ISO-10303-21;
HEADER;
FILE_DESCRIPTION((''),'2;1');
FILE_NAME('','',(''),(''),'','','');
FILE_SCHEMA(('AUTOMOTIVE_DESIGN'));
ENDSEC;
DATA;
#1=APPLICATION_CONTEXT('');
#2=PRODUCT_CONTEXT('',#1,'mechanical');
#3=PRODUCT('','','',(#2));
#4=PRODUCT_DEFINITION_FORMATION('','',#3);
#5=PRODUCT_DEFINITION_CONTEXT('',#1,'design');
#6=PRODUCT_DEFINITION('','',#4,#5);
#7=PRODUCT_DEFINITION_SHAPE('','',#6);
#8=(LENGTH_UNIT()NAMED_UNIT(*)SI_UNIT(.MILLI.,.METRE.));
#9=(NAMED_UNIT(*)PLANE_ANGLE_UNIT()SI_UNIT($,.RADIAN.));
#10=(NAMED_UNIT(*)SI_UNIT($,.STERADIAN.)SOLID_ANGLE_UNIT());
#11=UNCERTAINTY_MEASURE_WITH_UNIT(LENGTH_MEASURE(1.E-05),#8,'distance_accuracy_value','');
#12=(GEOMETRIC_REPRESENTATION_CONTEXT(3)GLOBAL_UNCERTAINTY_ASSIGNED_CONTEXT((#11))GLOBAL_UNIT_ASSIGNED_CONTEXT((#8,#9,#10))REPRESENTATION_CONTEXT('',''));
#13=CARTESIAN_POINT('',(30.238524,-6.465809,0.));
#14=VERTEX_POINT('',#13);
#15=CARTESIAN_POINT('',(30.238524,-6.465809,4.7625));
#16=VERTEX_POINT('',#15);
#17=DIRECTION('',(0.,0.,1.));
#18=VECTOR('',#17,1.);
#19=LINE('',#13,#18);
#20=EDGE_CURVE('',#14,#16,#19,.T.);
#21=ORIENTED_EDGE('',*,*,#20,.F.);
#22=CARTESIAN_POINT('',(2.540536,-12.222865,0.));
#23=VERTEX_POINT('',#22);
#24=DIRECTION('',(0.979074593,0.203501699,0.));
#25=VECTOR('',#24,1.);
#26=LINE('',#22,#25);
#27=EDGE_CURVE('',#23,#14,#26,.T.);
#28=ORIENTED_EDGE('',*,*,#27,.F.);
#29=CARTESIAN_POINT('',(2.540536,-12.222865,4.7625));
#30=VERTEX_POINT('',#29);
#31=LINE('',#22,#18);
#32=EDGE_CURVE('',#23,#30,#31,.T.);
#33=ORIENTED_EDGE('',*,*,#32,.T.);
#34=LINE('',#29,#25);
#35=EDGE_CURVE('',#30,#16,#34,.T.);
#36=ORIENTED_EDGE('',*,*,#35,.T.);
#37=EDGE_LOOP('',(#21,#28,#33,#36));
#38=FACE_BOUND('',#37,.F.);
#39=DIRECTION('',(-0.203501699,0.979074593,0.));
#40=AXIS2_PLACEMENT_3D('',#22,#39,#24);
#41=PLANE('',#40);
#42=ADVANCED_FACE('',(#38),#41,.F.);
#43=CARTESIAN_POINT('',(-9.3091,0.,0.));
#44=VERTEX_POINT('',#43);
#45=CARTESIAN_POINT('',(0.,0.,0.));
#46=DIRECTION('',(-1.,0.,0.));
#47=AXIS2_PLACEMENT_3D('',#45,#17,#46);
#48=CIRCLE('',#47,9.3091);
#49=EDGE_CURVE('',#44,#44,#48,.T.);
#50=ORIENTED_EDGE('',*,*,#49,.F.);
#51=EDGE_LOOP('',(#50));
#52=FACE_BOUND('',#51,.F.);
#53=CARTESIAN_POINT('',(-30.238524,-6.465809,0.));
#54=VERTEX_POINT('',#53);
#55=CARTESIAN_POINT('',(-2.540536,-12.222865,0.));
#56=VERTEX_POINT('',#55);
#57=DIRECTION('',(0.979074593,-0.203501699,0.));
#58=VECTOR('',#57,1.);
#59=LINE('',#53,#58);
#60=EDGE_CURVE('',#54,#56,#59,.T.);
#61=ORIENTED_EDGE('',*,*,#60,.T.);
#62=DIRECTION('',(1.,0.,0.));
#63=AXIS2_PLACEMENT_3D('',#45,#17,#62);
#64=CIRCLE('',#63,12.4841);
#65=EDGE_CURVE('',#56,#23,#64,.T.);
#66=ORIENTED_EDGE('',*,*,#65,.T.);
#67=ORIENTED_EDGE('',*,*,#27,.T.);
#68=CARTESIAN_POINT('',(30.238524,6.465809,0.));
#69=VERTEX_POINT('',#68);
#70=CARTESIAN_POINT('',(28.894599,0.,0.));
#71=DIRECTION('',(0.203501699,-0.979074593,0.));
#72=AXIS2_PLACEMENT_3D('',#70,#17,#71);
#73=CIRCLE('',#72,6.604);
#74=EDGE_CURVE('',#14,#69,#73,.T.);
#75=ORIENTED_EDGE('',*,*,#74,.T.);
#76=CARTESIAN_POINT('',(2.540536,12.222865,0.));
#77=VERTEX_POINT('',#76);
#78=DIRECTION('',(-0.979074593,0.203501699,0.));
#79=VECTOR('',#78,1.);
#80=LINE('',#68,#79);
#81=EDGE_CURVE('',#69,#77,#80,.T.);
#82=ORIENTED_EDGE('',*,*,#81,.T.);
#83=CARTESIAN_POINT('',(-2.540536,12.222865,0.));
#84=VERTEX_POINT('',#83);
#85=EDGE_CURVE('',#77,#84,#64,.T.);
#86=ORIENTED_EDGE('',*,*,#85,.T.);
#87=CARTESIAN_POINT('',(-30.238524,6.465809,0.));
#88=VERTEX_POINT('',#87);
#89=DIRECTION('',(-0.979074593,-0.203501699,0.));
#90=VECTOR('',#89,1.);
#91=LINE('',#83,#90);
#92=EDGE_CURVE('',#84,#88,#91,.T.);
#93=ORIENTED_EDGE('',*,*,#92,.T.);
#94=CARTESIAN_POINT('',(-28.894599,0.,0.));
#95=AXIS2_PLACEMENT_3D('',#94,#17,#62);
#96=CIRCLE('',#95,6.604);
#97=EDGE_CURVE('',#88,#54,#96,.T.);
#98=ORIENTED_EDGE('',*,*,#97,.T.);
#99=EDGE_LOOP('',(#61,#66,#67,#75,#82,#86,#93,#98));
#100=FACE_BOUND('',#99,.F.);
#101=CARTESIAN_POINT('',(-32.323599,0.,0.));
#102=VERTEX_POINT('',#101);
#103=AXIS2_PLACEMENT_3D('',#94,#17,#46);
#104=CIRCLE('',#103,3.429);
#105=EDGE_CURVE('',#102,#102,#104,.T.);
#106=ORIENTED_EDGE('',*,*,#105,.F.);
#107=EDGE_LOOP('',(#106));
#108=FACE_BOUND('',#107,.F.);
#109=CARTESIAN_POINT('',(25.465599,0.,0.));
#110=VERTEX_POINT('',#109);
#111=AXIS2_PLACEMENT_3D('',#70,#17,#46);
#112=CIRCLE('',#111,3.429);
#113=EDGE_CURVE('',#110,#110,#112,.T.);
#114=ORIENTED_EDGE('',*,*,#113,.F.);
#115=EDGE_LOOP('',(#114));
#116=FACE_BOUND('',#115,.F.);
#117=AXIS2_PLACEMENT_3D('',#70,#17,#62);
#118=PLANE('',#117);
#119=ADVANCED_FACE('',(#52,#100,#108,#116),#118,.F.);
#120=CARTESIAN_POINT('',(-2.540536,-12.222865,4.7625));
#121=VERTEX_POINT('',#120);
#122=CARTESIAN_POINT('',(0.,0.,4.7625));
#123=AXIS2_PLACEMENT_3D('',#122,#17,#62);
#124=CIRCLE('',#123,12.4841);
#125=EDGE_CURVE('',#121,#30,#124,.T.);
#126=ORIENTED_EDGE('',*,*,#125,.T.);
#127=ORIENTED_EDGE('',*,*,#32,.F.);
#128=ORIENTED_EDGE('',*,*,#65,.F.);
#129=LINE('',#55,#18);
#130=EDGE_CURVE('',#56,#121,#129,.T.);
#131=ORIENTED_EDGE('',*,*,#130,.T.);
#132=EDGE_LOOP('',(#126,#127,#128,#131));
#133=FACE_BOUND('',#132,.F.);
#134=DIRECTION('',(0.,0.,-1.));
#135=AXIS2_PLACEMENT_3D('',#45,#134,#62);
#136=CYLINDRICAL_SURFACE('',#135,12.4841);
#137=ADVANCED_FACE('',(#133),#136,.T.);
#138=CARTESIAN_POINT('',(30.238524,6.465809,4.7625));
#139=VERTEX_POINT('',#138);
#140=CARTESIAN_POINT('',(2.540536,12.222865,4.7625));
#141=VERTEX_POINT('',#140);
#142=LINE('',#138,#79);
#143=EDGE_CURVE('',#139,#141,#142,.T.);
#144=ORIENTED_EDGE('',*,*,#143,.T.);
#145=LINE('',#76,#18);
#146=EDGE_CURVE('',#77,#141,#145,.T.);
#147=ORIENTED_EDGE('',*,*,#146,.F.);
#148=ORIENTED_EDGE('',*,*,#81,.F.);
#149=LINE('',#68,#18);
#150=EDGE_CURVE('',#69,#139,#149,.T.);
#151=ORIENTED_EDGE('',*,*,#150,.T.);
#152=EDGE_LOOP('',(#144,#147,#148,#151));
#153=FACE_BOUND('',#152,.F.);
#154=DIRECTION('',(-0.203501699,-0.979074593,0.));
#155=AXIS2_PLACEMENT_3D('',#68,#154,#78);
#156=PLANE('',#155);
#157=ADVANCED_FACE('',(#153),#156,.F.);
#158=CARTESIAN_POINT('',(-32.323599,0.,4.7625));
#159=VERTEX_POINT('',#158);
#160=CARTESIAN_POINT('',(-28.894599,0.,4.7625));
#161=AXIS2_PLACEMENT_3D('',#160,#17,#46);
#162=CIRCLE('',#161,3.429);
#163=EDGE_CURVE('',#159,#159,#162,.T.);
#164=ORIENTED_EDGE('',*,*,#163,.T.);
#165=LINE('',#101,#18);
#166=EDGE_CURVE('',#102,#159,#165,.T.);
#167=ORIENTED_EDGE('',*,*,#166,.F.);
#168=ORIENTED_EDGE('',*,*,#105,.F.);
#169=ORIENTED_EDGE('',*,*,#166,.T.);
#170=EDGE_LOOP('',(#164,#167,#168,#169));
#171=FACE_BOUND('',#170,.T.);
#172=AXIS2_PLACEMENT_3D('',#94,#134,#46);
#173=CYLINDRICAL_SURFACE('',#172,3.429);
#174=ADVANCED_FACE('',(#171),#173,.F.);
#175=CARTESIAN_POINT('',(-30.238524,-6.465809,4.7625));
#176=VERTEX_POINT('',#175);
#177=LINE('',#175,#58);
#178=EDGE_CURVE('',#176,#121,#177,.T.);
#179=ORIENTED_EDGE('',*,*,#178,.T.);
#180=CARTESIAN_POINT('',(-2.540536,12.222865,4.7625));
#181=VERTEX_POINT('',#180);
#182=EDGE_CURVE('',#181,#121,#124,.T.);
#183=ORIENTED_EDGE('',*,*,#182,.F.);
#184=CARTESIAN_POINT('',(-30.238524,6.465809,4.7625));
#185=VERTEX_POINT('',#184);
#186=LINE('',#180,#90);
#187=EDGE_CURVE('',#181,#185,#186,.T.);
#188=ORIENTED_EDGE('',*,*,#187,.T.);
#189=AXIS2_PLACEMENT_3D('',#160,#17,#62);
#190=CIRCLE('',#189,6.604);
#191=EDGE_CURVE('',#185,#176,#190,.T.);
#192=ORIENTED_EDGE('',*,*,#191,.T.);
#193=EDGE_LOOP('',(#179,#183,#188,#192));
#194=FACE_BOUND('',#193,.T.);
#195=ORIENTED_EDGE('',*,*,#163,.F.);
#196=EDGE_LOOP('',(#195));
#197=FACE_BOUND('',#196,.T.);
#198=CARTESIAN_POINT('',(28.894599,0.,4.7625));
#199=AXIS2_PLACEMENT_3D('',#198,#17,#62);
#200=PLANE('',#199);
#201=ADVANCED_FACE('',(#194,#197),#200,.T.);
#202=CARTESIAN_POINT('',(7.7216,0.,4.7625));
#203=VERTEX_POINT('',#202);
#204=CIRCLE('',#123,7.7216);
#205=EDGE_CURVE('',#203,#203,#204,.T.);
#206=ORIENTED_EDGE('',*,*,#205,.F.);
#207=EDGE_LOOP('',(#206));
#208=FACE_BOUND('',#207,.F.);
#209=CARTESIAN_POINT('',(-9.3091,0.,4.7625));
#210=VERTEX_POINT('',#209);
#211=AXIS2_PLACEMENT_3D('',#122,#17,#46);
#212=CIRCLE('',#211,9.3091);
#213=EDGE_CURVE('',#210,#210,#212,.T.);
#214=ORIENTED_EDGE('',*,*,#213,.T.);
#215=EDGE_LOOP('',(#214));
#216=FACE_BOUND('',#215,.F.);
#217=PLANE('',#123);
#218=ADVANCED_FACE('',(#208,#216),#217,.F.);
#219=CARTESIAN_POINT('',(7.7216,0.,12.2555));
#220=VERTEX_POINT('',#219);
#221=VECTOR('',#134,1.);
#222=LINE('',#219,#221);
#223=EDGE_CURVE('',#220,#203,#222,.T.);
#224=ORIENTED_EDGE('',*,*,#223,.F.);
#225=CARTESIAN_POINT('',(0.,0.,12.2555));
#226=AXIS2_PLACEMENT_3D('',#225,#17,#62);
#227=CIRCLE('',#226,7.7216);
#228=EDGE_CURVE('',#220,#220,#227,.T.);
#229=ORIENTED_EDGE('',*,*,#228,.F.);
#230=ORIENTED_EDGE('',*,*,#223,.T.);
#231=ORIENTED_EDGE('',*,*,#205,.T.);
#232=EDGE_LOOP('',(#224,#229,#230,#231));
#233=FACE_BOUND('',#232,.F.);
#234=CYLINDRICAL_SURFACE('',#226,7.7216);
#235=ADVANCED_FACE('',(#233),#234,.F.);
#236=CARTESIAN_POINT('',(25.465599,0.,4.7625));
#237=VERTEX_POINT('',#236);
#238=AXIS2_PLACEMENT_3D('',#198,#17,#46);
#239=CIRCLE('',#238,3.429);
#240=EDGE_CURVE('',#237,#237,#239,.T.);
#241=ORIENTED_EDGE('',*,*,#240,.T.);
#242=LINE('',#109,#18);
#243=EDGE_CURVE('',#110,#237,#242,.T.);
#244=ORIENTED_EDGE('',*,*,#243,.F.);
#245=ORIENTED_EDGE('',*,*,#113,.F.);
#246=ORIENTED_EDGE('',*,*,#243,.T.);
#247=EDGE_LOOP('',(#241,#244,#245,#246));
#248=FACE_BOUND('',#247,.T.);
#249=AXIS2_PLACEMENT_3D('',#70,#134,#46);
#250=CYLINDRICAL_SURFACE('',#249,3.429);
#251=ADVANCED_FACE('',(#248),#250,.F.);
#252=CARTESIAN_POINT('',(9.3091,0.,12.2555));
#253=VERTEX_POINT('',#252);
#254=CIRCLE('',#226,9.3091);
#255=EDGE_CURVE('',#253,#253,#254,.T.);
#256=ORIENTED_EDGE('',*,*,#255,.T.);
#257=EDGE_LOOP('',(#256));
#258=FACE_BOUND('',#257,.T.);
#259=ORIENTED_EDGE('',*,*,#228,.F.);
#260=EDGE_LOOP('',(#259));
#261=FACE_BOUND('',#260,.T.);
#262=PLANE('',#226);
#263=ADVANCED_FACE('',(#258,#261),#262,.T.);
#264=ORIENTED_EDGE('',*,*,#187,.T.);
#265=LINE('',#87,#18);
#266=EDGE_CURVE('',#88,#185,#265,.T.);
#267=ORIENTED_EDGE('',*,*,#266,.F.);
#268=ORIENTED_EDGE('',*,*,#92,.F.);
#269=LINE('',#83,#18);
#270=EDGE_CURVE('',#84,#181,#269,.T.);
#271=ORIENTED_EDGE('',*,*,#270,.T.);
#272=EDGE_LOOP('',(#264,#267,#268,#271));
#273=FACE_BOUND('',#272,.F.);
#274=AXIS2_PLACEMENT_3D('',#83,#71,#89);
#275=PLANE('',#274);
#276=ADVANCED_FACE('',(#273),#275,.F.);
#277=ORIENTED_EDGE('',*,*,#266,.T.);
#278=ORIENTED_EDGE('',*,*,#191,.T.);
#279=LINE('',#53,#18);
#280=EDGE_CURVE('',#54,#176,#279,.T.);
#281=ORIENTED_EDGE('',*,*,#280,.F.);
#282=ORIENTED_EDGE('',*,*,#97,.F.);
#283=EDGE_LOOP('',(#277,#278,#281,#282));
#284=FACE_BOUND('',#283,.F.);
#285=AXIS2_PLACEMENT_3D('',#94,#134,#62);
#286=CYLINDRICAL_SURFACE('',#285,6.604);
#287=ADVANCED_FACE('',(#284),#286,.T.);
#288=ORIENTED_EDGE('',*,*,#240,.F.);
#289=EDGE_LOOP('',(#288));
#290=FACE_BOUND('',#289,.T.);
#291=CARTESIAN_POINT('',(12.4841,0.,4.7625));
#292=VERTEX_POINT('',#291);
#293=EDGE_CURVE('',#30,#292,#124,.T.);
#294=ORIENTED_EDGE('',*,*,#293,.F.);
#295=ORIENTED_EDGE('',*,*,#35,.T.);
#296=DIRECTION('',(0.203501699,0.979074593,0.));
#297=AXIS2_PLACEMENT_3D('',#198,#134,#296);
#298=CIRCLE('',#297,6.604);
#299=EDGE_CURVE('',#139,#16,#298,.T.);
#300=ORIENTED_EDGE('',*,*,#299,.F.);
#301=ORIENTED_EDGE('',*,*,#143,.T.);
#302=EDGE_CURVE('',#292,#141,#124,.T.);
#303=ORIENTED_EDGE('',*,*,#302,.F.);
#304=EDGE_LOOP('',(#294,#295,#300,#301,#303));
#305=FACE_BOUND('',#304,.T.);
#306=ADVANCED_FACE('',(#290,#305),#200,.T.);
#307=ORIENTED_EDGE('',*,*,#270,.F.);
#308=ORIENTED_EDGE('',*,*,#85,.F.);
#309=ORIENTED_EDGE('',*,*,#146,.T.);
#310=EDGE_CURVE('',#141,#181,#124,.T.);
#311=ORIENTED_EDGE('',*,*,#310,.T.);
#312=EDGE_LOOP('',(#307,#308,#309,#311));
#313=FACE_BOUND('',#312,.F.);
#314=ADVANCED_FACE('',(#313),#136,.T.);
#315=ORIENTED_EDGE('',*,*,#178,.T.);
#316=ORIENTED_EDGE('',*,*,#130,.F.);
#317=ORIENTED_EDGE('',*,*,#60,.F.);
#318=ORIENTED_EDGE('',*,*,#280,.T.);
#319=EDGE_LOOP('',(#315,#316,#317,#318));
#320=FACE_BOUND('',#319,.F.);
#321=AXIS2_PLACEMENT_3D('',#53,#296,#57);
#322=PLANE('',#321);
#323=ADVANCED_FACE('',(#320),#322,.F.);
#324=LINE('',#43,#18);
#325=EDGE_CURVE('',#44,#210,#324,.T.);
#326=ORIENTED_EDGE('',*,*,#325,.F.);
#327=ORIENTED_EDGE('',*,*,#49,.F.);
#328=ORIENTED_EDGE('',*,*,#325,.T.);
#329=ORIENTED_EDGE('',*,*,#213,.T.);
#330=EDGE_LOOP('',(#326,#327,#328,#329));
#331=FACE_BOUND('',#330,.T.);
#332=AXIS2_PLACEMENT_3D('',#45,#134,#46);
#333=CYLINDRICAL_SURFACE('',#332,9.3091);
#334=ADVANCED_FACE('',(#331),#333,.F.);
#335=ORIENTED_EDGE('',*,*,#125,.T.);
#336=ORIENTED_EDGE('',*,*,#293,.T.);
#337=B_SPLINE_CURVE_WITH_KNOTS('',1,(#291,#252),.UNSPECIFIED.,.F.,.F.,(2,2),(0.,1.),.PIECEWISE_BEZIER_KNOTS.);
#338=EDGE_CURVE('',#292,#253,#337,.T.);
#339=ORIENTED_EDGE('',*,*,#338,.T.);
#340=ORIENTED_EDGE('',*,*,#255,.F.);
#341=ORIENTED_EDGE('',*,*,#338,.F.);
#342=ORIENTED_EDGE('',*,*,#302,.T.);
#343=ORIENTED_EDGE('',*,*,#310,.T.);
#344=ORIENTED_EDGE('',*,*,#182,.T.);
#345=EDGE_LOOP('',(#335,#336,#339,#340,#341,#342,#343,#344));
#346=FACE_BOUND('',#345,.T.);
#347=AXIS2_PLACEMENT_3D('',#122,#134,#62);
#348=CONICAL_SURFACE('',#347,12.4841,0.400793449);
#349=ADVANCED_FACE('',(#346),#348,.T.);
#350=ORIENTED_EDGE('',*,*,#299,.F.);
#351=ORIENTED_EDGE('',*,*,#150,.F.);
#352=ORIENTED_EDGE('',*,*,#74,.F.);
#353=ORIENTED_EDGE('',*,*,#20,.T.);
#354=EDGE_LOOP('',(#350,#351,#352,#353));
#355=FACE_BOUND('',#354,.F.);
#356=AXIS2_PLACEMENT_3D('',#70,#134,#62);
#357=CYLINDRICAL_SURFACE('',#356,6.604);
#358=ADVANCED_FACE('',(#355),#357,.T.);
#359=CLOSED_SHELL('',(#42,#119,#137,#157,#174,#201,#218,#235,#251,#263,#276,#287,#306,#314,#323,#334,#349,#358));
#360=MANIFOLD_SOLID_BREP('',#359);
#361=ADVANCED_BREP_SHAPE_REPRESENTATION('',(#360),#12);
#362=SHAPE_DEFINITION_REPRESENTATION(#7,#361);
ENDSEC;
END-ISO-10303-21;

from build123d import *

# Parameters (mm, degrees)
SKETCH1_R           = 6.604
SKETCH1_R_2         = 3.429
SKETCH1_R_3         = 12.4841
SKETCH1_R_4         = 9.3091
BOSS_EXTRUDE1_DEPTH = 4.7625
SKETCH3_R           = 12.4841
SKETCH2_R           = 9.3091
SKETCH5_R           = 7.7216
CUT_EXTRUDE1_DEPTH  = 40.575251945


with BuildPart() as part:
    # Sketch1 → Boss-Extrude1 (new body)
    # profile 1 of 5: a face of its own
    with BuildSketch(Plane.XY):
        with Locations((-28.894599, 0)):
            Circle(SKETCH1_R)
        with Locations(Location((-28.894599, 0, 0), (0, 0, 180))):
            Circle(SKETCH1_R_2, mode=Mode.SUBTRACT)
    # profile 2 of 5: a face of its own
    with BuildSketch(Plane.XY):
        with BuildLine():
            Line((-2.540535565, 12.222865124), (-30.238524223, 6.465808611))
            ThreePointArc((-30.238524223, 6.465808611), (-24.727013738, 5.1228946), (-22.290599, 0))
            ThreePointArc((-22.290599, 0), (-24.727013738, -5.1228946), (-30.238524223, -6.465808611))
            Line((-30.238524223, -6.465808611), (-2.540535565, -12.222865124))
            ThreePointArc((-2.540535565, -12.222865124), (-12.4841, 0), (-2.540535565, 12.222865124))
        make_face()
    # profile 3 of 5: a face of its own
    with BuildSketch(Plane.XY):
        Circle(SKETCH1_R_3)
        with Locations(Location((0, 0, 0), (0, 0, 180))):
            Circle(SKETCH1_R_4, mode=Mode.SUBTRACT)
    # profile 4 of 5: a face of its own
    with BuildSketch(Plane.XY):
        with BuildLine():
            Line((30.238524223, 6.465808611), (2.540535565, 12.222865124))
            ThreePointArc((2.540535565, 12.222865124), (9.684241139, 7.878339062), (12.4841, 0))
            ThreePointArc((12.4841, 0), (9.684241139, -7.878339062), (2.540535565, -12.222865124))
            Line((2.540535565, -12.222865124), (30.238524223, -6.465808611))
            ThreePointArc((30.238524223, -6.465808611), (22.290599, 0), (30.238524223, 6.465808611))
        make_face()
    # profile 5 of 5: a face of its own
    with BuildSketch(Plane.XY):
        with Locations((28.894599, 0)):
            Circle(SKETCH1_R)
        with Locations(Location((28.894599, 0, 0), (0, 0, 180))):
            Circle(SKETCH1_R_2, mode=Mode.SUBTRACT)
    extrude(amount=BOSS_EXTRUDE1_DEPTH)

    # Sketch3 → Loft3 section 0
    with BuildSketch(Plane.XY.offset(4.7625)):
        Circle(SKETCH3_R)
    # Sketch2 → Loft3 section 1
    with BuildSketch(Plane.XY.offset(12.2555)):
        Circle(SKETCH2_R)
    loft()

    # Sketch5 → Cut-Extrude1 (cut, through all)
    with BuildSketch(Plane.XY.offset(12.2555)):
        Circle(SKETCH5_R)
    extrude(amount=-CUT_EXTRUDE1_DEPTH, mode=Mode.SUBTRACT)


solid = part.part
